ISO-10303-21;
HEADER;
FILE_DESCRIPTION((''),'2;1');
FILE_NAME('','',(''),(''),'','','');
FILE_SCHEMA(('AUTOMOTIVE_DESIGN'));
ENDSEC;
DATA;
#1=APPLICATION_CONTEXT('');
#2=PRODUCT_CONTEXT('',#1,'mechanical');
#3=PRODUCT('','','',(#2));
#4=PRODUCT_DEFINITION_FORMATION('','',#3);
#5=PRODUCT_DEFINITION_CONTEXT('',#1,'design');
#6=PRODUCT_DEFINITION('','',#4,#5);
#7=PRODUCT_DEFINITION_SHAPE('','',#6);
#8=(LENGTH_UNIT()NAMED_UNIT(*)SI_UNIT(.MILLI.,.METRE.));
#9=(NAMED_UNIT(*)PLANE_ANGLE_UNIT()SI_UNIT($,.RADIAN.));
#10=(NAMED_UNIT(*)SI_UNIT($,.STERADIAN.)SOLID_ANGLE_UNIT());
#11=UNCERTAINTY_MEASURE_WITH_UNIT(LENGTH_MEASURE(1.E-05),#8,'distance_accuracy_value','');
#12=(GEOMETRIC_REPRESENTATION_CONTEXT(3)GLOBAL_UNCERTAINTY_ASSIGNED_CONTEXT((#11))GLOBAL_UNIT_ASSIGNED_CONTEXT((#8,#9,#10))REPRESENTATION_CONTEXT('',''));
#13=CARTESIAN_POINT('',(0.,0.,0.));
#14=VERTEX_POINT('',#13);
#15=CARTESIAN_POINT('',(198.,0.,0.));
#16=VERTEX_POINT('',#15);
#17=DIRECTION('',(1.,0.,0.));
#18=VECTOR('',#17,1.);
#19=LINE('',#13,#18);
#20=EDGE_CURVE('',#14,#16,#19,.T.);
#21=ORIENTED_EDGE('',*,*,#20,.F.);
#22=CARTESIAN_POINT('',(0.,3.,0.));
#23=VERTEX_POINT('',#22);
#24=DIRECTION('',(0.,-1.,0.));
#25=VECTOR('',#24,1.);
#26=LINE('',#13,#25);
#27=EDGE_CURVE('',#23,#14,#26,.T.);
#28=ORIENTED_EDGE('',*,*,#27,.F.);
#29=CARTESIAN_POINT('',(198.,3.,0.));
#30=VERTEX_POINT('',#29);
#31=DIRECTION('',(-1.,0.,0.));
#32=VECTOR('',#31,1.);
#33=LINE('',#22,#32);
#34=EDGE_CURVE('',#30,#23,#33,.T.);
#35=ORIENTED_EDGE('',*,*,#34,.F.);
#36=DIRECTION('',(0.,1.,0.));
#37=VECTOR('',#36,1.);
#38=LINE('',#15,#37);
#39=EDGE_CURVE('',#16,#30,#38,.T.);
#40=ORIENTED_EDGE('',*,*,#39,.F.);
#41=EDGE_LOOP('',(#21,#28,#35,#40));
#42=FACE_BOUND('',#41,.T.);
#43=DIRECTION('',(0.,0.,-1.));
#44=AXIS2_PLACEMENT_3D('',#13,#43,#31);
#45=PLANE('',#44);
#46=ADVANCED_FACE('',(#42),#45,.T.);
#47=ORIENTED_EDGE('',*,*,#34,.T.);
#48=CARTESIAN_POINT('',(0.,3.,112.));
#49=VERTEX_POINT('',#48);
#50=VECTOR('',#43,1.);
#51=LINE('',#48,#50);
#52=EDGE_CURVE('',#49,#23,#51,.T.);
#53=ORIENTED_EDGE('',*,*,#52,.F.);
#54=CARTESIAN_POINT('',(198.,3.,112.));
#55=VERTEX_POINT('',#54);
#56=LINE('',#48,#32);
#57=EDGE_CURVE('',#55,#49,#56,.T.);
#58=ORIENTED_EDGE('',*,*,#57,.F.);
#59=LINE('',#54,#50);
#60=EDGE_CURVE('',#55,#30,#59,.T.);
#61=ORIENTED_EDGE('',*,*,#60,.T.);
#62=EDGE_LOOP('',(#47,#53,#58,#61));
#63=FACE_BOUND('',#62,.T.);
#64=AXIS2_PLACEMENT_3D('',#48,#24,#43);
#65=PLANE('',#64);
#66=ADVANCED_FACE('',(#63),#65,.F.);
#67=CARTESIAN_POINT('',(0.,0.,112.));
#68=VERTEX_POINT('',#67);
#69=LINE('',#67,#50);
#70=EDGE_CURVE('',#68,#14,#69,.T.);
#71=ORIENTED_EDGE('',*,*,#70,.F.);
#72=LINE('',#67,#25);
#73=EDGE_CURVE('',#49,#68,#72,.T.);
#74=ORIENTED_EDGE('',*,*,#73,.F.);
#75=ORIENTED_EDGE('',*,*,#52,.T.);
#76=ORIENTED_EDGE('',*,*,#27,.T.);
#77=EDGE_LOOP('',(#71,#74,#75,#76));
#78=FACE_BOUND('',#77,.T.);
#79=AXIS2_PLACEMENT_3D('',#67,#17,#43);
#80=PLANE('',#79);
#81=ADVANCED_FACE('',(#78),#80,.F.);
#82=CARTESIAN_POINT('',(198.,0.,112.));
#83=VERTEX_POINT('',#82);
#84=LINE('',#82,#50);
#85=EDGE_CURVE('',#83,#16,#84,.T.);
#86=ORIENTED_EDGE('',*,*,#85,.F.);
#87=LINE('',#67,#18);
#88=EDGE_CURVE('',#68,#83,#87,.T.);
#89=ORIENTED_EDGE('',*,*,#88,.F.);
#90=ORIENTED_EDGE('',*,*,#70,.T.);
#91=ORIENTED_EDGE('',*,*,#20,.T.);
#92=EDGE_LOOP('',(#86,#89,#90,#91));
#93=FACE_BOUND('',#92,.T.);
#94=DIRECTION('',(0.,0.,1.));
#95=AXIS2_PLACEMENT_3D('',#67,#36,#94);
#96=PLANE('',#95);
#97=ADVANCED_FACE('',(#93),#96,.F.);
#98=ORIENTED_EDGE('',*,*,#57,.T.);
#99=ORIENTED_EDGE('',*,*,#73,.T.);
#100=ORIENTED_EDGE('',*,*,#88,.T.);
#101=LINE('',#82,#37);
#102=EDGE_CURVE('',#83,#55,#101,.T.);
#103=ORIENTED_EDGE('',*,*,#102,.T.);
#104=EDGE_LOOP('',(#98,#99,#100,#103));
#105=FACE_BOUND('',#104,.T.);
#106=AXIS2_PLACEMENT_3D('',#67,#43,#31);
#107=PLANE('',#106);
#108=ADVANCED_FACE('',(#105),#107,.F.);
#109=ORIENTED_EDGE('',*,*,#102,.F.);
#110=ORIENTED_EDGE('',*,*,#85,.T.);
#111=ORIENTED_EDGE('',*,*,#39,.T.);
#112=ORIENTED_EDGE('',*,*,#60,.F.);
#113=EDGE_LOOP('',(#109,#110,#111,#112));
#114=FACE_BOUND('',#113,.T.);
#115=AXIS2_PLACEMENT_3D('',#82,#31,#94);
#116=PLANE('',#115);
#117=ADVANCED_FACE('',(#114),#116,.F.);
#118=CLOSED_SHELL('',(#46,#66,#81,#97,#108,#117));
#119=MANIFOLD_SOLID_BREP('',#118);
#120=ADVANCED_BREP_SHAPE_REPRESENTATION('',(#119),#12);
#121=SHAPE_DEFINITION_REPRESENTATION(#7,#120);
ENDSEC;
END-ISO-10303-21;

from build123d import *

# Parameters (mm, degrees)
SKETCH1_W     = 198
SKETCH1_H     = 3
PROFILE_DEPTH = 112


with BuildPart() as part:
    # Sketch1 → Profile (new body)
    with BuildSketch(Plane.XY):
        with Locations((99, 1.5)):
            Rectangle(SKETCH1_W, SKETCH1_H)
    extrude(amount=PROFILE_DEPTH)


solid = part.part
